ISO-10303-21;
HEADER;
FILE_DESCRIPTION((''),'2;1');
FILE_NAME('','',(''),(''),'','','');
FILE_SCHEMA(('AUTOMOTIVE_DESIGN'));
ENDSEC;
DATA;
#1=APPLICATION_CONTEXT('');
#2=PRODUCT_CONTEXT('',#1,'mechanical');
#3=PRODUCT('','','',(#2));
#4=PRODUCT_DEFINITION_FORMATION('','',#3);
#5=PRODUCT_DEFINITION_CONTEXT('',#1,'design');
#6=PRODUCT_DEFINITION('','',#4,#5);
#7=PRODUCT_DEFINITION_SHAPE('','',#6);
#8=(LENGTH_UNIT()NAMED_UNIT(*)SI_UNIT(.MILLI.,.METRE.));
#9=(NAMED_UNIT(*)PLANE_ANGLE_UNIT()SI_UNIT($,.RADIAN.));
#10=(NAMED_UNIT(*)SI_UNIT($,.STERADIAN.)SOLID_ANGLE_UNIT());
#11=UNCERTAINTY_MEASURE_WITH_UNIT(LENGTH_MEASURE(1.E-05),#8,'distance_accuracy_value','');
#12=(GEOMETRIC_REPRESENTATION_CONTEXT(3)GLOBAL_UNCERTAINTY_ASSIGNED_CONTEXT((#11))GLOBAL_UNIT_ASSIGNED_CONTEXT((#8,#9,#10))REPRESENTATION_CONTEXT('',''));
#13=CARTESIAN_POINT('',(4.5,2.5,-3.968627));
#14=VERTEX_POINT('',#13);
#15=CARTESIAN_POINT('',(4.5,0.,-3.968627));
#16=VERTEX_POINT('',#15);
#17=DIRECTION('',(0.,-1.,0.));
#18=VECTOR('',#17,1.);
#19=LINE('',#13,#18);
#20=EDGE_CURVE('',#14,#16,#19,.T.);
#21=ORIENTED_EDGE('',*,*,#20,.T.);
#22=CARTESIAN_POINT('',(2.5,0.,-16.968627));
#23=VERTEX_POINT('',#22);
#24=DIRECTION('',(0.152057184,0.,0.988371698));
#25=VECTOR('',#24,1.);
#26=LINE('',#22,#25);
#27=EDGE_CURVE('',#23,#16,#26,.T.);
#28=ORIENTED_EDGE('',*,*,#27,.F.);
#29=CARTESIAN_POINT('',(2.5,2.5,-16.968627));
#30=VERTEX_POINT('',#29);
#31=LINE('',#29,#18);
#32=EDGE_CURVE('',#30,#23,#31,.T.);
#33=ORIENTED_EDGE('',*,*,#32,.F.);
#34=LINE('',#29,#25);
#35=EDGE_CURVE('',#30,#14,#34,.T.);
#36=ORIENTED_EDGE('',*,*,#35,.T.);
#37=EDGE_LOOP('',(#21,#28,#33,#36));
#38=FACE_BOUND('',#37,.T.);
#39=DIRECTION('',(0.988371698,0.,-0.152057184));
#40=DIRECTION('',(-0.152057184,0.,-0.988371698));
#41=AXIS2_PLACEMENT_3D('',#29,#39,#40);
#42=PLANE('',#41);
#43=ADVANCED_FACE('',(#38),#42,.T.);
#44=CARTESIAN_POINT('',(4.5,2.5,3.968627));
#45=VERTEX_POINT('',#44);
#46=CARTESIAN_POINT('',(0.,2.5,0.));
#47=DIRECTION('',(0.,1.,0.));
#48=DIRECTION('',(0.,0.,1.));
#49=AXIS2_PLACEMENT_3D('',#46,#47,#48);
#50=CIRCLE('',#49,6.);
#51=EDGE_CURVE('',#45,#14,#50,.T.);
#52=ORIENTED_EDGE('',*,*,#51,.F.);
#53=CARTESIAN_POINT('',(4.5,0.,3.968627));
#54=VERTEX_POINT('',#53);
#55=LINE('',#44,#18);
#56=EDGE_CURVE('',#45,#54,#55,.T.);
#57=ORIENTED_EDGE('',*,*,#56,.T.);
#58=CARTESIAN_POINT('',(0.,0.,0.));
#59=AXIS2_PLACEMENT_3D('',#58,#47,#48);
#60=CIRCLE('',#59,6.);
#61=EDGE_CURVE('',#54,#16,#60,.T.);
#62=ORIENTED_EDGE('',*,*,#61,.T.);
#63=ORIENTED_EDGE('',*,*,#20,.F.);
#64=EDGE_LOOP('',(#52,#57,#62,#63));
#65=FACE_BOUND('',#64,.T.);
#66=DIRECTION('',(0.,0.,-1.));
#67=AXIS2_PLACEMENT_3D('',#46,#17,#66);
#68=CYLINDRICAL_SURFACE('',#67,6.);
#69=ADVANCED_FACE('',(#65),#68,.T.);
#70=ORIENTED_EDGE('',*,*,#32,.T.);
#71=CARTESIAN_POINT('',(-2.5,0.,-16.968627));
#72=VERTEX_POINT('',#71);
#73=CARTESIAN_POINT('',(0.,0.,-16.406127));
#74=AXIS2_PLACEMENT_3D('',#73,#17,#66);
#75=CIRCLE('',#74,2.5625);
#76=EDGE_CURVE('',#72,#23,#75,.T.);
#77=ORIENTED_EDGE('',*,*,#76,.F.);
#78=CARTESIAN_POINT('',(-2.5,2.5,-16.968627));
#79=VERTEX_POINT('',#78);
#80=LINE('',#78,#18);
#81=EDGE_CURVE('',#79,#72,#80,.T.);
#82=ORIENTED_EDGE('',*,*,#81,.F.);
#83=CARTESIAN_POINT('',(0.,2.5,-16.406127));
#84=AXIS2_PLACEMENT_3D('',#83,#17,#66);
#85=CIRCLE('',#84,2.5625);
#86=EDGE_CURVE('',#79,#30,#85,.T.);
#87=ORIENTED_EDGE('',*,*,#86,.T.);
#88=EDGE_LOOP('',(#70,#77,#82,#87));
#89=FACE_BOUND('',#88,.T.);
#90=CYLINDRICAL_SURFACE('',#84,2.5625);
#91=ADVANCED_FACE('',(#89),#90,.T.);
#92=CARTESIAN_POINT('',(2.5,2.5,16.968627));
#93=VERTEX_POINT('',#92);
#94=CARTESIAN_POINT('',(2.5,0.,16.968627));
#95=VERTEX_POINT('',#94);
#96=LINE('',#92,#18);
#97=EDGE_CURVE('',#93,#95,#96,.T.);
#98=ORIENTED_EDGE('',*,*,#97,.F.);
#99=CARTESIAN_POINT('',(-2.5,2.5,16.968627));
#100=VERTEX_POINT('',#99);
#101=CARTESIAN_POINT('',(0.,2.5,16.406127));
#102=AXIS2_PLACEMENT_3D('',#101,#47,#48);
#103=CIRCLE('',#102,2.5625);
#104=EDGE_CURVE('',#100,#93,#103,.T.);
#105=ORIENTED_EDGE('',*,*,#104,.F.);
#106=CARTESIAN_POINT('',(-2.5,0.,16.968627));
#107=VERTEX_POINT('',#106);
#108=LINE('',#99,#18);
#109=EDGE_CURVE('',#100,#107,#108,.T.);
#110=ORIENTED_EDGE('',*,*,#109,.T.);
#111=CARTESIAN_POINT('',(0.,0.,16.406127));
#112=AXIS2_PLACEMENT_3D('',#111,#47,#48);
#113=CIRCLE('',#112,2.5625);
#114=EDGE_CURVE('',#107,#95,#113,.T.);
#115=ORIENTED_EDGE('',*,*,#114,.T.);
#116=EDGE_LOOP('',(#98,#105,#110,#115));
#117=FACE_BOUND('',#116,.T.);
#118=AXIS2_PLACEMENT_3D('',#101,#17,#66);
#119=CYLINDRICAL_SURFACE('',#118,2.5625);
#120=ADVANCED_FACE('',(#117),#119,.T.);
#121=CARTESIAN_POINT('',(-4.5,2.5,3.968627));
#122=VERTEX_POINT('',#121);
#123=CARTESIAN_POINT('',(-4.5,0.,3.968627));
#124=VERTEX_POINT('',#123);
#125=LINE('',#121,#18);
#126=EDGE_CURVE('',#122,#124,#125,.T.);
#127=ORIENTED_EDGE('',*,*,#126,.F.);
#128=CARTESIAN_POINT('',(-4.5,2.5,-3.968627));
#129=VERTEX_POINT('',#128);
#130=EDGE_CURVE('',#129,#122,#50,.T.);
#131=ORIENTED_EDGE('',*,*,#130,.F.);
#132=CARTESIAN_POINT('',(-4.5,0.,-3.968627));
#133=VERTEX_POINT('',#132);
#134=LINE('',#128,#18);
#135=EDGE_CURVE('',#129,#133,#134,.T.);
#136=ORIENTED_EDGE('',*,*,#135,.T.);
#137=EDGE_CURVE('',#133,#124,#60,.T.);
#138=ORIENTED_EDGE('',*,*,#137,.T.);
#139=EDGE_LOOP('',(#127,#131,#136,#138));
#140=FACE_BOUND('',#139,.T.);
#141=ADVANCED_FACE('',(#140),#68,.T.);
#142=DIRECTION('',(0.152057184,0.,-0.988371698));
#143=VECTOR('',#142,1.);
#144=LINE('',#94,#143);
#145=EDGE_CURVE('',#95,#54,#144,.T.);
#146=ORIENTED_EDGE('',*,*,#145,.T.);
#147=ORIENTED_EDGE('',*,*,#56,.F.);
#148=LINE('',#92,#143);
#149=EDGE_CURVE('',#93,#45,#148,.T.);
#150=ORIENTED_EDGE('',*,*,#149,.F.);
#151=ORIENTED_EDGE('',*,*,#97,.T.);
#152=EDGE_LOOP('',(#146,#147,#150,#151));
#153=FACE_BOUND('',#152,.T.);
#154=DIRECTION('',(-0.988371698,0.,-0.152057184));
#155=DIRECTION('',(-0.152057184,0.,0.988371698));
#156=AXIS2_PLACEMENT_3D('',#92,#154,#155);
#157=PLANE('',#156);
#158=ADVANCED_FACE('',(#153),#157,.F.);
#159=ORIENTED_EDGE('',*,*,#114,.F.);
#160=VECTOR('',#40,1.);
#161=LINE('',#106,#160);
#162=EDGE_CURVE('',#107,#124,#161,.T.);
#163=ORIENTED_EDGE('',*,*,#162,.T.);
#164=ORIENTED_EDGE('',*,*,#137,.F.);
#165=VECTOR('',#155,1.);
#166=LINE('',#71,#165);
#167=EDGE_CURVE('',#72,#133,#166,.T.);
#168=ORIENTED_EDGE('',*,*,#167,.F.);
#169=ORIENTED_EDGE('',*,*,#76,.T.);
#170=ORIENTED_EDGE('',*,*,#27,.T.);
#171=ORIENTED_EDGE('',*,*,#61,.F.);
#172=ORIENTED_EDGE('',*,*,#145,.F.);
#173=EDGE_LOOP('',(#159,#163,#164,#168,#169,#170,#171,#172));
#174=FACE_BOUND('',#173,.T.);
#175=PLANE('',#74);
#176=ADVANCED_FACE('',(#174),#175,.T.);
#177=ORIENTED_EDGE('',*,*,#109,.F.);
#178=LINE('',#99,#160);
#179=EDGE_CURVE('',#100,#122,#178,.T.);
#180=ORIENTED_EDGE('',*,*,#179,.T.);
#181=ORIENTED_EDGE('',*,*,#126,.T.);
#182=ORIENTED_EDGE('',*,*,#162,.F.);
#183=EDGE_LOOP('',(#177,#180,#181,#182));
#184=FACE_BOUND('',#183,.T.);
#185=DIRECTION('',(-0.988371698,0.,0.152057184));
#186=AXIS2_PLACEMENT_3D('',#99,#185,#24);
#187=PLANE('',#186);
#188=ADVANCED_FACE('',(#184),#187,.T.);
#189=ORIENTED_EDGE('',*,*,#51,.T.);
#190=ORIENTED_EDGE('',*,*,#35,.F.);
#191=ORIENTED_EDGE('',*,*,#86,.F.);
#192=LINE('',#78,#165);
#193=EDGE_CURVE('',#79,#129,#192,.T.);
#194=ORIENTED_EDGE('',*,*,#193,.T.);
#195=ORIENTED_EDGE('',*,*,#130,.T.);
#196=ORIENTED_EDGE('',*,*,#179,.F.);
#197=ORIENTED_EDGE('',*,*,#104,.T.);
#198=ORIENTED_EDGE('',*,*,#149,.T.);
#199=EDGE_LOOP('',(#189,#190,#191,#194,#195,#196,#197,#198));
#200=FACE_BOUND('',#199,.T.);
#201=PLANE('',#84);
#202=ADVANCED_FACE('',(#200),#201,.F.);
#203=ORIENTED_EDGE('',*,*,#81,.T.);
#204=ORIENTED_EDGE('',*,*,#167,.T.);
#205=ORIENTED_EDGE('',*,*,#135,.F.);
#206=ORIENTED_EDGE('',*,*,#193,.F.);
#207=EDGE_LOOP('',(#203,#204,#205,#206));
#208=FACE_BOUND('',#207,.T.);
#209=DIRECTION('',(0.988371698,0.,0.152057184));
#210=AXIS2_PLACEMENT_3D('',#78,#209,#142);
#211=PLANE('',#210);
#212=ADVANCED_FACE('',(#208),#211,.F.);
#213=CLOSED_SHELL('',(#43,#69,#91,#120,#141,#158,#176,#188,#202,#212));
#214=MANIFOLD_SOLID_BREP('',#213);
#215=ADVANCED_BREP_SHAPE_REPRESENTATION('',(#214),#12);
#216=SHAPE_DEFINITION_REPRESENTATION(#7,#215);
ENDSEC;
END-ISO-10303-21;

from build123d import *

# Parameters (mm, degrees)
BOSS_EXTRUDE1_DEPTH = 2.5


with BuildPart() as part:
    # Sketch1 → Boss-Extrude1 (new body)
    with BuildSketch(Plane(origin=(0, 0, 0), x_dir=(1, 0, 0), z_dir=(0, 1, 0))):
        with BuildLine():
            Line((-2.5, 16.968626967), (-4.5, 3.968626967))
            ThreePointArc((-4.5, 3.968626967), (-6, 0), (-4.5, -3.968626967))
            Line((-4.5, -3.968626967), (-2.5, -16.968626967))
            ThreePointArc((-2.5, -16.968626967), (0, -18.968626967), (2.5, -16.968626967))
            Line((2.5, -16.968626967), (4.5, -3.968626967))
            ThreePointArc((4.5, -3.968626967), (6, 0), (4.5, 3.968626967))
            Line((4.5, 3.968626967), (2.5, 16.968626967))
            ThreePointArc((2.5, 16.968626967), (0, 18.968626967), (-2.5, 16.968626967))
        make_face()
    extrude(amount=BOSS_EXTRUDE1_DEPTH)


solid = part.part
